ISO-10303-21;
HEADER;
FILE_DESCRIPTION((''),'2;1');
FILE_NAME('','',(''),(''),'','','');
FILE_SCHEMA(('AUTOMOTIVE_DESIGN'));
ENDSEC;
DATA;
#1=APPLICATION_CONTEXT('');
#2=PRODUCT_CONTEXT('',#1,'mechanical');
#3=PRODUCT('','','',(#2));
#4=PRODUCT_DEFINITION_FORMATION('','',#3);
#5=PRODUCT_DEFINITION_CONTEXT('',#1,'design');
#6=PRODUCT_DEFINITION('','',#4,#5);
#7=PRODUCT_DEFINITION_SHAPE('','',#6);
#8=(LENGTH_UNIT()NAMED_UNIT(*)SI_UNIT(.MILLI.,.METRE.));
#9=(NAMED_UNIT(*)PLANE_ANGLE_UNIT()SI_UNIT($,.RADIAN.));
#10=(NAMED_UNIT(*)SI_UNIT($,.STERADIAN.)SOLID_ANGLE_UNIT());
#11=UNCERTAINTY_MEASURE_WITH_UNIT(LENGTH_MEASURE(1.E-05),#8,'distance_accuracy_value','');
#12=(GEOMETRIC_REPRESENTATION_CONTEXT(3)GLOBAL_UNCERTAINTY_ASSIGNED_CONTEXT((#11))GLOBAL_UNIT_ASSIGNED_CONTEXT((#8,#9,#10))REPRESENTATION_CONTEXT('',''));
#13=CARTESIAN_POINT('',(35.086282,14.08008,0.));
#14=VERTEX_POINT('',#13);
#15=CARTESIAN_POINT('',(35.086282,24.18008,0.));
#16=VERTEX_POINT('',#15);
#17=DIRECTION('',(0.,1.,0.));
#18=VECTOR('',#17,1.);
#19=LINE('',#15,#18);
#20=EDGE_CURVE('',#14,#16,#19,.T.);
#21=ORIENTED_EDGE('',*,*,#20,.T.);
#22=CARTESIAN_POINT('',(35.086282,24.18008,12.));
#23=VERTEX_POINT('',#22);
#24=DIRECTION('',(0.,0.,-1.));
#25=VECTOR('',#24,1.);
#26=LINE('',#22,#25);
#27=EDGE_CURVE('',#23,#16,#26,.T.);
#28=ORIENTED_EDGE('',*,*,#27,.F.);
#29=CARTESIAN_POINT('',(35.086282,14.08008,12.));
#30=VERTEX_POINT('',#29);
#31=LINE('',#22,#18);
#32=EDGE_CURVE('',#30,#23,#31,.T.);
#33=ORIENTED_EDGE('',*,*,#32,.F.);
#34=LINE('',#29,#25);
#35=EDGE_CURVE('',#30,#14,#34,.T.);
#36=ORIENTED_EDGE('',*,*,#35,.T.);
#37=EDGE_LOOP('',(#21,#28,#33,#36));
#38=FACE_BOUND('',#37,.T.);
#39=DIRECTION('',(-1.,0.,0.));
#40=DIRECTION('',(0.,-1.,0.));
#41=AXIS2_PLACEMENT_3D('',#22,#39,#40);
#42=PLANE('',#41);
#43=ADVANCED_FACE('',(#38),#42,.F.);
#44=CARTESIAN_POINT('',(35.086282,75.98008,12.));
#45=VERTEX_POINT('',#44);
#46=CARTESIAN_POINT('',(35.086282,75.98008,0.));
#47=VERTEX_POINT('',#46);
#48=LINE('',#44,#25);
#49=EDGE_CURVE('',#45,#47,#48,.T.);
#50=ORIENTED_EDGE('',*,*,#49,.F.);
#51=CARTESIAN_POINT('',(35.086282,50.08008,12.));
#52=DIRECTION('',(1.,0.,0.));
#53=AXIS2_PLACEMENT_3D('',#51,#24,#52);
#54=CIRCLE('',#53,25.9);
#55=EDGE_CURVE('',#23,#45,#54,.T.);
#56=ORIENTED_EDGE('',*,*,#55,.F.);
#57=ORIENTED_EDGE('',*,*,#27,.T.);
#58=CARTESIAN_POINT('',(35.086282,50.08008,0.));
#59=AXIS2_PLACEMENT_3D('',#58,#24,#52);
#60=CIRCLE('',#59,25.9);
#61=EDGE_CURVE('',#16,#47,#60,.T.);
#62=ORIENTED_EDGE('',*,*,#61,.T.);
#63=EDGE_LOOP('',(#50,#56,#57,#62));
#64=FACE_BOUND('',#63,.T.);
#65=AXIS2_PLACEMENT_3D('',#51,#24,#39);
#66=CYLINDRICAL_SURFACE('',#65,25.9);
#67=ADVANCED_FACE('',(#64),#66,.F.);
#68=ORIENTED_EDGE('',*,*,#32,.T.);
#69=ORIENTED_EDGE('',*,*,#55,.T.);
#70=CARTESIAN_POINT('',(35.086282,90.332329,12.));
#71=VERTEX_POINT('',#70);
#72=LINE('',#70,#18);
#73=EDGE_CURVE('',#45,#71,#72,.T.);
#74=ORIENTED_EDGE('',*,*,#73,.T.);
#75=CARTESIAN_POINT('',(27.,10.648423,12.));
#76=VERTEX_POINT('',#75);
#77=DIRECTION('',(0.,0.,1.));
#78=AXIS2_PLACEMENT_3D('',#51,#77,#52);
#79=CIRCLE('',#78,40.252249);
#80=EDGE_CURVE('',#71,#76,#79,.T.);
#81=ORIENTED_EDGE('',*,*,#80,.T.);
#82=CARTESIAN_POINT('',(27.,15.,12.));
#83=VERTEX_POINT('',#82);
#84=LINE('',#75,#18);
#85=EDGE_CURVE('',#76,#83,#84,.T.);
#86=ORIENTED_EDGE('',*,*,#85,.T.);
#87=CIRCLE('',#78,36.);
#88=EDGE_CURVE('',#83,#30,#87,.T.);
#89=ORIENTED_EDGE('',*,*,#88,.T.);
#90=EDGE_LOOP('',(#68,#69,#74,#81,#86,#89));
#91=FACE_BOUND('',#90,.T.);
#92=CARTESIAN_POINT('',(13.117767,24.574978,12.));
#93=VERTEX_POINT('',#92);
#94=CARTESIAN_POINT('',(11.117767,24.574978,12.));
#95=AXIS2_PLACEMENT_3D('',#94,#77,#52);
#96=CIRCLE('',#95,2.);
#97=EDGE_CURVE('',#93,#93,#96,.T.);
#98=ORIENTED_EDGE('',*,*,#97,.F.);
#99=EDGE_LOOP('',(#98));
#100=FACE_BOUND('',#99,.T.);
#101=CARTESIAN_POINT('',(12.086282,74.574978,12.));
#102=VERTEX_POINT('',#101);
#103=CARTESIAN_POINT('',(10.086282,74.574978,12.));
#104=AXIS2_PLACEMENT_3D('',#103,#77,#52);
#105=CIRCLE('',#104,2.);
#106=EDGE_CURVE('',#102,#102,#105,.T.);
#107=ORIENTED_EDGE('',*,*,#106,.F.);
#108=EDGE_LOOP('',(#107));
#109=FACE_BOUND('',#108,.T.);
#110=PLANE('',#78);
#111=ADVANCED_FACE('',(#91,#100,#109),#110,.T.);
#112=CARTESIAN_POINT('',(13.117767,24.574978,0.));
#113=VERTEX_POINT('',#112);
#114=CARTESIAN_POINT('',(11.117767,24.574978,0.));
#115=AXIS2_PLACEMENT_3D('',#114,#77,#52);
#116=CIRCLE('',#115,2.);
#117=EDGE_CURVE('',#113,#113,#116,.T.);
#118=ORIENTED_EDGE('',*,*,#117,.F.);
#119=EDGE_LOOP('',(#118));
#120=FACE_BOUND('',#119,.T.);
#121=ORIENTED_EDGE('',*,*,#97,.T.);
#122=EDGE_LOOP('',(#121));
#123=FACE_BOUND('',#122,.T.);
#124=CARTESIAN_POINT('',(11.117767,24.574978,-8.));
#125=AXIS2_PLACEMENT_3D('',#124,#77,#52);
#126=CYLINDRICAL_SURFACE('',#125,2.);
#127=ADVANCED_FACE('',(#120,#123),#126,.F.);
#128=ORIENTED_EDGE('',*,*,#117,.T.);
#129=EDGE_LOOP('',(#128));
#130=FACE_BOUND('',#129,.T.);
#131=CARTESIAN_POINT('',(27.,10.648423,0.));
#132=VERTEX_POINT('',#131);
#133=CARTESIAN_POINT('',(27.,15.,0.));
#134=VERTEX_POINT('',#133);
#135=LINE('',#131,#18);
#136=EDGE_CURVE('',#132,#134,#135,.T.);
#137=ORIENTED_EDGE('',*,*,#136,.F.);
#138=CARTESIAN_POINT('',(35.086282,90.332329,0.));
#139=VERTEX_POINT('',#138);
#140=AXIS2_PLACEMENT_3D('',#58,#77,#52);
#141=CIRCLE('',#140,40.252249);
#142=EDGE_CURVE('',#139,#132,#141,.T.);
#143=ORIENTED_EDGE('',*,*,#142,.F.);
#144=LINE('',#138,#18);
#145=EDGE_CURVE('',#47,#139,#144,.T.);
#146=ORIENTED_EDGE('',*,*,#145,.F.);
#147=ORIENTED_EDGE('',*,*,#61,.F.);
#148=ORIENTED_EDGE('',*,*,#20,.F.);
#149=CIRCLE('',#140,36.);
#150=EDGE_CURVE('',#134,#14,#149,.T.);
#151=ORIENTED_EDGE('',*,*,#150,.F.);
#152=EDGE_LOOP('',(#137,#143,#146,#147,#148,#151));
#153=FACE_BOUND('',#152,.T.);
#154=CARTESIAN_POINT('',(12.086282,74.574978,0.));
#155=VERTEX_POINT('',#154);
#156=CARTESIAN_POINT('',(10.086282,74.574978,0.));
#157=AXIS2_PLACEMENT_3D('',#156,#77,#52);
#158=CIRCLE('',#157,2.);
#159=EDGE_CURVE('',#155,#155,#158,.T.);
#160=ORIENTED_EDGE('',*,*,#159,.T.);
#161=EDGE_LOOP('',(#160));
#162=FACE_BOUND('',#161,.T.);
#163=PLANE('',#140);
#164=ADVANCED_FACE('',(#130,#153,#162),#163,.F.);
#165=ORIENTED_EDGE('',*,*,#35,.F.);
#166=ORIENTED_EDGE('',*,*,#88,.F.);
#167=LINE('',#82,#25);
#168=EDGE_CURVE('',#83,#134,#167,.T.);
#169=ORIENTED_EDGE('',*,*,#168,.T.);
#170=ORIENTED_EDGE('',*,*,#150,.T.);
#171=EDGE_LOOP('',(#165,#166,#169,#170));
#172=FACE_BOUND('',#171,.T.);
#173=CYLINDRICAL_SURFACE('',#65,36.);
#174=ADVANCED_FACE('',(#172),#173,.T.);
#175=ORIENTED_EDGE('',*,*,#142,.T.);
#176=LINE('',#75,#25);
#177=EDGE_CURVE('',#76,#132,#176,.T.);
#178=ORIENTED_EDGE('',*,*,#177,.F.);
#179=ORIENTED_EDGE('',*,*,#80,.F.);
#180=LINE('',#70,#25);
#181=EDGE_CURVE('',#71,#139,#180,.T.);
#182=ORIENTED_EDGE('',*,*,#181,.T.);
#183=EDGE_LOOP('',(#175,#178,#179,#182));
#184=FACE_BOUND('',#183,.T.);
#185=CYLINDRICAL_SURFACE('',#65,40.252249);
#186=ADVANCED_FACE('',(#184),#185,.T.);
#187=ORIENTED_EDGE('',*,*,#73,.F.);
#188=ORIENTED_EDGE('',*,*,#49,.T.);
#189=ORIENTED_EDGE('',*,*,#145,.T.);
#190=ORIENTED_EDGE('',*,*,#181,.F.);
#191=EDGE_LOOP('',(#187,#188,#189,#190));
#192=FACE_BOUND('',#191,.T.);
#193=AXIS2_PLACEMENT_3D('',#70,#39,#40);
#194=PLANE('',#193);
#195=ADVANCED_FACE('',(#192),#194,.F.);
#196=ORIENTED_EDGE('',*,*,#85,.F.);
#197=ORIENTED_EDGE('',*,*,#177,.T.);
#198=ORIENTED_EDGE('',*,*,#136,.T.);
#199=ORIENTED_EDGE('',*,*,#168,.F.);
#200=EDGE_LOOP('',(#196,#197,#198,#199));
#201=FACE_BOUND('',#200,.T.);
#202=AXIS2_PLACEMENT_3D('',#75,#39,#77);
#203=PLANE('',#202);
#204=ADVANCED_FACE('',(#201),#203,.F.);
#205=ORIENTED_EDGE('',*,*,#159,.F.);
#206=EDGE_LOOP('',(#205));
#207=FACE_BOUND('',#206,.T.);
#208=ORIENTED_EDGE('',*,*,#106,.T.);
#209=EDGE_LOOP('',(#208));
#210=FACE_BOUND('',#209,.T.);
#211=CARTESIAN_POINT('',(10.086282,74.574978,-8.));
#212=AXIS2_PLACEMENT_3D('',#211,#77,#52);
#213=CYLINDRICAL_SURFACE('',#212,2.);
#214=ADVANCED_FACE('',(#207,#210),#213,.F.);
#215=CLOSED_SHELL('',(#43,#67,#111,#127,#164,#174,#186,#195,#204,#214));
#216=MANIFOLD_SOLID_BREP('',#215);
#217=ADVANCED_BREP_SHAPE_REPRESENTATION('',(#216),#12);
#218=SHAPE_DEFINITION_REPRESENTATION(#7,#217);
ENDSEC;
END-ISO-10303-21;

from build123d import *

# Parameters (mm, degrees)
BOSS_EXTRUDE1_DEPTH = 12
SKETCH2_R           = 2
CUT_EXTRUDE1_DEPTH  = 20


with BuildPart() as part:
    # Sketch1 → Boss-Extrude1 (new body)
    with BuildSketch(Plane.XY):
        with BuildLine():
            Line((27, 10.648423286), (27, 15))
            ThreePointArc((27, 15), (31.017062028, 14.31079961), (35.086282243, 14.08008038))
            Line((35.086282243, 14.08008038), (35.086282243, 24.18008038))
            ThreePointArc((35.086282243, 24.18008038), (9.186282243, 50.08008038), (35.086282243, 75.98008038))
            Line((35.086282243, 75.98008038), (35.086282243, 90.332329282))
            ThreePointArc((35.086282243, 90.332329282), (-4.960293251, 54.143986489), (27, 10.648423286))
        make_face()
    extrude(amount=BOSS_EXTRUDE1_DEPTH)

    # Sketch2 → Cut-Extrude1 (cut)
    with BuildSketch(Plane.XY.offset(12)):
        with Locations((10.086282243, 74.574977808)):
            Circle(SKETCH2_R)
        with Locations((11.117766586, 24.574977808)):
            Circle(SKETCH2_R)
    extrude(amount=-CUT_EXTRUDE1_DEPTH, mode=Mode.SUBTRACT)


solid = part.part
